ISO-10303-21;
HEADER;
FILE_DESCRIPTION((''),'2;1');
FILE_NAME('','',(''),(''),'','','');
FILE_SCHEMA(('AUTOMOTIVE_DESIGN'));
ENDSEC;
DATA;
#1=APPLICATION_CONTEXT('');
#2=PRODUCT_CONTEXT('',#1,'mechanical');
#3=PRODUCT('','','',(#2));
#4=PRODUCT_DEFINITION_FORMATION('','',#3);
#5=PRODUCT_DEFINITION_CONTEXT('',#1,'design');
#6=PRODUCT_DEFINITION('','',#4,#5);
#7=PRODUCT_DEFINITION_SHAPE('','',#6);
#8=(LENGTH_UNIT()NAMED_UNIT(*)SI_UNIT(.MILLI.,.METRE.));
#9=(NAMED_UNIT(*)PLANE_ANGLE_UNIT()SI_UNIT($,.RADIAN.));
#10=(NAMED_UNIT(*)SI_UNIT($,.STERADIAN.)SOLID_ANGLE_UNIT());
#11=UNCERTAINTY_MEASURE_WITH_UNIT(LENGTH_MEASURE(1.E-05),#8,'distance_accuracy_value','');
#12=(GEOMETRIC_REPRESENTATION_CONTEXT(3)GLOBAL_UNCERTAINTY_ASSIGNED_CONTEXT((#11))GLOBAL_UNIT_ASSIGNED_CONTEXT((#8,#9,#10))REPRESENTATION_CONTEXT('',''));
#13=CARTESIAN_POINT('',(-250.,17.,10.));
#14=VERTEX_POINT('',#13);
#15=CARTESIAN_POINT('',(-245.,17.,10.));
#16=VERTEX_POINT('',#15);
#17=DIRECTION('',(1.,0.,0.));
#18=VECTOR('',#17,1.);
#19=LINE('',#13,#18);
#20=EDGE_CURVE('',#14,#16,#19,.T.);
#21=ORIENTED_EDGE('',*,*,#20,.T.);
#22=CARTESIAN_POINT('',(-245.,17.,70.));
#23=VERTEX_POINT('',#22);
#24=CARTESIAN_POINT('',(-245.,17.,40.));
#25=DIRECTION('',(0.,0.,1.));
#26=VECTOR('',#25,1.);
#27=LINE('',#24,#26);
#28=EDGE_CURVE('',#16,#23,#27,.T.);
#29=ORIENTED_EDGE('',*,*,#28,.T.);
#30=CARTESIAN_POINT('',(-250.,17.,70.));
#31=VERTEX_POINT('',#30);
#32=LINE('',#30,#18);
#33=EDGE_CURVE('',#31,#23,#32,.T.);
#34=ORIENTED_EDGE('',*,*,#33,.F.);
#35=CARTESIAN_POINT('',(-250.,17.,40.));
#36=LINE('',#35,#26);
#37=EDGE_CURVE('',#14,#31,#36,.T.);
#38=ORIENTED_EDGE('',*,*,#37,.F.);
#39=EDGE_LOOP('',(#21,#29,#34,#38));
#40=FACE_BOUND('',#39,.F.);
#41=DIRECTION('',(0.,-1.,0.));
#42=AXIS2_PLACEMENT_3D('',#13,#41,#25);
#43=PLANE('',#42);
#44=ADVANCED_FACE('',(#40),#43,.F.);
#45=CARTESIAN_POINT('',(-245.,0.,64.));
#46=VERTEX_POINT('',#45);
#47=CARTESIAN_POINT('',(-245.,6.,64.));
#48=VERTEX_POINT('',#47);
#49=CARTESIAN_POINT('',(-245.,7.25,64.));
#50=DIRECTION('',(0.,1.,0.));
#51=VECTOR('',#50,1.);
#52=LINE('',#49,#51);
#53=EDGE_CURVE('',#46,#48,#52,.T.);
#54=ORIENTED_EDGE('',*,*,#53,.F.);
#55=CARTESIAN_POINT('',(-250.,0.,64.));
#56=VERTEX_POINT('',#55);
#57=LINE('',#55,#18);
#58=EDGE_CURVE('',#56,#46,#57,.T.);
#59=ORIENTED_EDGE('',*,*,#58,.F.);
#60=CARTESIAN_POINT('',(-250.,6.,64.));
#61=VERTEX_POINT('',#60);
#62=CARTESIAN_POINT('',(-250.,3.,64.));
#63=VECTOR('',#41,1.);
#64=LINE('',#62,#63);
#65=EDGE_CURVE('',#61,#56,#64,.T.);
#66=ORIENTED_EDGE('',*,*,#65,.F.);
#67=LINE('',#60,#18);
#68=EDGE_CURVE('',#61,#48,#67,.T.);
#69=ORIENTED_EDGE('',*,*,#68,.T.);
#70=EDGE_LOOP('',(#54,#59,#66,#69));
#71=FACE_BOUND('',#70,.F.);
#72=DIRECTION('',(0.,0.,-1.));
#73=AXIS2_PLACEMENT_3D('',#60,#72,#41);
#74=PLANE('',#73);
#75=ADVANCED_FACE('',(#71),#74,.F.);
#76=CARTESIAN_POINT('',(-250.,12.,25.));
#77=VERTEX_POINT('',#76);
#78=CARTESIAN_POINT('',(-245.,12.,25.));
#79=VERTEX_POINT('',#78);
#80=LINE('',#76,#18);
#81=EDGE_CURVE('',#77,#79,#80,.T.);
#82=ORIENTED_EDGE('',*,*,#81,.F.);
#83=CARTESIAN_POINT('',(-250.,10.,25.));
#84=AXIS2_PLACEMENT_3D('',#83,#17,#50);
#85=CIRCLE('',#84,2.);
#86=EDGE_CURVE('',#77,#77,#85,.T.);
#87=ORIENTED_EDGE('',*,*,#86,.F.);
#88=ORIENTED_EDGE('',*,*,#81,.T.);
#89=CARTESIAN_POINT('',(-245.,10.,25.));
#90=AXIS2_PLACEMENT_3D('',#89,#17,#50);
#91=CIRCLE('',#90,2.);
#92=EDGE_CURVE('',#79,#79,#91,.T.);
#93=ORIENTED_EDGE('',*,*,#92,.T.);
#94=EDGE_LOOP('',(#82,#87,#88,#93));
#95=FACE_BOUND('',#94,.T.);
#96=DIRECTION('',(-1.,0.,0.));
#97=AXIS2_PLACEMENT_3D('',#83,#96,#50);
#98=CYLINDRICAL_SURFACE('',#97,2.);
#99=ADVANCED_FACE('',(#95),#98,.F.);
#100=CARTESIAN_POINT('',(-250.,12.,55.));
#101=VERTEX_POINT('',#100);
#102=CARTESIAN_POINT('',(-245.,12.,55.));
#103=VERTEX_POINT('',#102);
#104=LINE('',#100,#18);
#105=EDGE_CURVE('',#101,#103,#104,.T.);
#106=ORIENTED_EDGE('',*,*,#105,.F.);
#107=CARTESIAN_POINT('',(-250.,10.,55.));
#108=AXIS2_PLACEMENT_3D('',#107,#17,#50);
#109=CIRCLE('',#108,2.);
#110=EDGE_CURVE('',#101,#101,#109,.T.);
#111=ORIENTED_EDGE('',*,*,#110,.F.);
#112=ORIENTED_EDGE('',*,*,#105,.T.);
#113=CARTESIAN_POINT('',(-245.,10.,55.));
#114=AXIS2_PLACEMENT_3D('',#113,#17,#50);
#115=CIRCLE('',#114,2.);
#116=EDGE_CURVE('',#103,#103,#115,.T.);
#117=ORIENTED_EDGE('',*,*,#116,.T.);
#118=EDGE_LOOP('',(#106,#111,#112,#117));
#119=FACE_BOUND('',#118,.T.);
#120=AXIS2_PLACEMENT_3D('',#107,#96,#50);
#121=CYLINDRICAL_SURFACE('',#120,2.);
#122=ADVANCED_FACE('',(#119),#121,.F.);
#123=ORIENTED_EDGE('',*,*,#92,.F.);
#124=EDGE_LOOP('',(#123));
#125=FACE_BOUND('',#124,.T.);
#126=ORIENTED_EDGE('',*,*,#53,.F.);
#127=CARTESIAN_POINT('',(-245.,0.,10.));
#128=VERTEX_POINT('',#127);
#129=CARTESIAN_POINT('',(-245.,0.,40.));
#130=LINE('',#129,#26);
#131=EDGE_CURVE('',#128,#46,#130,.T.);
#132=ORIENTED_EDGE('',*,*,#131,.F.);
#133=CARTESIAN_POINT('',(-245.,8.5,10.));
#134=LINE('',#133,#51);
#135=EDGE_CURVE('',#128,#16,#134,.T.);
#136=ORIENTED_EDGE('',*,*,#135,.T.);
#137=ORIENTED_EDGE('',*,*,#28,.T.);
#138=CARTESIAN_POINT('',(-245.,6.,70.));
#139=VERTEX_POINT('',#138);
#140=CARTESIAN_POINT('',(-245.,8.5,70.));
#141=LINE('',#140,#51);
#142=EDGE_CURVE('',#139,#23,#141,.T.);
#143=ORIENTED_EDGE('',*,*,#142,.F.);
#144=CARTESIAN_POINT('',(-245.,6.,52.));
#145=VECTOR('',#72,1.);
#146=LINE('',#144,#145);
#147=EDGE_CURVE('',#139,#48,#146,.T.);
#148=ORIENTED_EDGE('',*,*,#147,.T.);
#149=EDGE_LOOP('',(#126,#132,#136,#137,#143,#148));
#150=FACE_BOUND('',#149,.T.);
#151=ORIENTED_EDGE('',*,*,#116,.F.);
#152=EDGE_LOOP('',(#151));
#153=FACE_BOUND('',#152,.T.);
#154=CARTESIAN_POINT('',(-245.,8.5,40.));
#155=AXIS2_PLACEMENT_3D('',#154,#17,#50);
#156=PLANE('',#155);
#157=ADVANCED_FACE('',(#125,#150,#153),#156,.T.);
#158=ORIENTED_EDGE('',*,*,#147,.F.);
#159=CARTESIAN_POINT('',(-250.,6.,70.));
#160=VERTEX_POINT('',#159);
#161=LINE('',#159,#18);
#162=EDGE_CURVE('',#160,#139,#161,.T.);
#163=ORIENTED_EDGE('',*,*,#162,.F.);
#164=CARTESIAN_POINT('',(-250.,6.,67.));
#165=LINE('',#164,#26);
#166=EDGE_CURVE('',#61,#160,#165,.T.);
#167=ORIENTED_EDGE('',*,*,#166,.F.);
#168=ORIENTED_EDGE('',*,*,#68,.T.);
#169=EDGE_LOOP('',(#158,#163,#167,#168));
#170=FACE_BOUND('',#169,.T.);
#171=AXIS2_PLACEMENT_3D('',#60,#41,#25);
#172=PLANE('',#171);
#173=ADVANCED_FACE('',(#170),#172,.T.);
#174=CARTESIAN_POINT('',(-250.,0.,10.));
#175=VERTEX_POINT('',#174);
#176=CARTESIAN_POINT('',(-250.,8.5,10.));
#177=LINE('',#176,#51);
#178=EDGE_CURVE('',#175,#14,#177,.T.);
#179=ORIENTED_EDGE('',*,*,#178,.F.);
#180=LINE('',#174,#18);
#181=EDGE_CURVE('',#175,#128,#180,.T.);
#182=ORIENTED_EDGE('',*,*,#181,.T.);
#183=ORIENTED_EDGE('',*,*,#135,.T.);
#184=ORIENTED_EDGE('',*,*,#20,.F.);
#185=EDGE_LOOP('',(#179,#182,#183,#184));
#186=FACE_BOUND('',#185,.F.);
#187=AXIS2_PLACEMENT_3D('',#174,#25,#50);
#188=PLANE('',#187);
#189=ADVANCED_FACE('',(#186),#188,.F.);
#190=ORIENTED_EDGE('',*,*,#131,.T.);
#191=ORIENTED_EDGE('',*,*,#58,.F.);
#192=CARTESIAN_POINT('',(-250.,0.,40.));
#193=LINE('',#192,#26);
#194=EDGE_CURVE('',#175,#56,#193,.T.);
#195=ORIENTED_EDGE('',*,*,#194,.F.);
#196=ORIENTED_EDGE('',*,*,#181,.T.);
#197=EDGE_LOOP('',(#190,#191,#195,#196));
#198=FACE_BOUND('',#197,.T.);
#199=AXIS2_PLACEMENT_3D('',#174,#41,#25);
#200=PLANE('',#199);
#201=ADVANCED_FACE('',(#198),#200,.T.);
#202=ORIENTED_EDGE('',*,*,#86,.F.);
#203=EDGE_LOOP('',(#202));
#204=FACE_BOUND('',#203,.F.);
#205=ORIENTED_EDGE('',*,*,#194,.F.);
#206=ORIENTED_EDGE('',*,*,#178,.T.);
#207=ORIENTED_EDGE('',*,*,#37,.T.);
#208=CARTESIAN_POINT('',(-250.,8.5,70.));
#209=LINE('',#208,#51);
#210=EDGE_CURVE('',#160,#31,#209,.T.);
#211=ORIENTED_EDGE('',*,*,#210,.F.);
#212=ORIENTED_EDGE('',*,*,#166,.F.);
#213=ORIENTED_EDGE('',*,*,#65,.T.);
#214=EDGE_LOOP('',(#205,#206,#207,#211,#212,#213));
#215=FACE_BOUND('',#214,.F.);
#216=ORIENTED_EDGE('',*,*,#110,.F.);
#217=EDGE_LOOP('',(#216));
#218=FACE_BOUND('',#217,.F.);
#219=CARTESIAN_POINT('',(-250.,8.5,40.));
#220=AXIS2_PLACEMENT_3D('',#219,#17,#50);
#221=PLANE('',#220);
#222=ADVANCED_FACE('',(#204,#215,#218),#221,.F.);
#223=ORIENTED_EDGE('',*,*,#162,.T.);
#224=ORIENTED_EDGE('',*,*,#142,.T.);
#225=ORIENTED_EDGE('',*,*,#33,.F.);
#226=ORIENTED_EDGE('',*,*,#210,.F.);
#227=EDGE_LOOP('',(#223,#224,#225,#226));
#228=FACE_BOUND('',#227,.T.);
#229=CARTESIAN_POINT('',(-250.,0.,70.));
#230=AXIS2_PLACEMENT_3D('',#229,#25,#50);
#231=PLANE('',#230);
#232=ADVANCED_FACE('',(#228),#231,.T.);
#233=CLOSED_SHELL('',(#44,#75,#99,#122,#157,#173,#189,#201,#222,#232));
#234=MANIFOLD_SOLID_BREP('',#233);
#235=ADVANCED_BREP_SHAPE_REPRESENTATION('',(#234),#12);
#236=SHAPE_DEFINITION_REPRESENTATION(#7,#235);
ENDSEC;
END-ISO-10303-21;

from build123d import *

# Parameters (mm, degrees)
CIRCLE010_R      = 2
EXTRUDE093_DEPTH = 5
CIRCLE005_R      = 2
EXTRUDE091_DEPTH = 5
RECTANGLE064_W   = 6
RECTANGLE064_H   = 6
EXTRUDE078_DEPTH = 7.5
RECTANGLE038_W   = 17
RECTANGLE038_H   = 60
EXTRUDE045_DEPTH = 5


with BuildPart() as extrude093:
    # Circle010 → Extrude093 (new body)
    with BuildSketch(Plane(origin=(-250, 10, 55), x_dir=(0, 1, 0), z_dir=(1, 0, 0))):
        Circle(CIRCLE010_R)
    extrude(amount=EXTRUDE093_DEPTH)


with BuildPart() as extrude091:
    # Circle005 → Extrude091 (new body)
    with BuildSketch(Plane(origin=(-250, 10, 25), x_dir=(0, 1, 0), z_dir=(1, 0, 0))):
        Circle(CIRCLE005_R)
    extrude(amount=EXTRUDE091_DEPTH)


with BuildPart() as extrude078:
    # Rectangle064 → Extrude078 (new body)
    with BuildSketch(Plane(origin=(-250, 6, 64), x_dir=(0, -1, 0), z_dir=(-1, 0, 0))):
        with Locations((3, 3)):
            Rectangle(RECTANGLE064_W, RECTANGLE064_H)
    extrude(amount=-EXTRUDE078_DEPTH)


with BuildPart() as cut011:
    # Rectangle038 → Extrude045 (new body)
    with BuildSketch(Plane(origin=(0, 0, 10), x_dir=(0, 1, 0), z_dir=(1, 0, 0))):
        with Locations((8.5, 30)):
            Rectangle(RECTANGLE038_W, RECTANGLE038_H)
    extrude(amount=EXTRUDE045_DEPTH)


with BuildPart() as cut011_1:
    # Extrude045 placement: moved
    add(cut011.part.moved(Location((-250, 0, 0))))

    # Cut: cut Extrude078
    add(extrude078.part, mode=Mode.SUBTRACT)

    # Cut010: cut Extrude091
    add(extrude091.part, mode=Mode.SUBTRACT)

    # Cut011: cut Extrude093
    add(extrude093.part, mode=Mode.SUBTRACT)


solid = cut011_1.part
